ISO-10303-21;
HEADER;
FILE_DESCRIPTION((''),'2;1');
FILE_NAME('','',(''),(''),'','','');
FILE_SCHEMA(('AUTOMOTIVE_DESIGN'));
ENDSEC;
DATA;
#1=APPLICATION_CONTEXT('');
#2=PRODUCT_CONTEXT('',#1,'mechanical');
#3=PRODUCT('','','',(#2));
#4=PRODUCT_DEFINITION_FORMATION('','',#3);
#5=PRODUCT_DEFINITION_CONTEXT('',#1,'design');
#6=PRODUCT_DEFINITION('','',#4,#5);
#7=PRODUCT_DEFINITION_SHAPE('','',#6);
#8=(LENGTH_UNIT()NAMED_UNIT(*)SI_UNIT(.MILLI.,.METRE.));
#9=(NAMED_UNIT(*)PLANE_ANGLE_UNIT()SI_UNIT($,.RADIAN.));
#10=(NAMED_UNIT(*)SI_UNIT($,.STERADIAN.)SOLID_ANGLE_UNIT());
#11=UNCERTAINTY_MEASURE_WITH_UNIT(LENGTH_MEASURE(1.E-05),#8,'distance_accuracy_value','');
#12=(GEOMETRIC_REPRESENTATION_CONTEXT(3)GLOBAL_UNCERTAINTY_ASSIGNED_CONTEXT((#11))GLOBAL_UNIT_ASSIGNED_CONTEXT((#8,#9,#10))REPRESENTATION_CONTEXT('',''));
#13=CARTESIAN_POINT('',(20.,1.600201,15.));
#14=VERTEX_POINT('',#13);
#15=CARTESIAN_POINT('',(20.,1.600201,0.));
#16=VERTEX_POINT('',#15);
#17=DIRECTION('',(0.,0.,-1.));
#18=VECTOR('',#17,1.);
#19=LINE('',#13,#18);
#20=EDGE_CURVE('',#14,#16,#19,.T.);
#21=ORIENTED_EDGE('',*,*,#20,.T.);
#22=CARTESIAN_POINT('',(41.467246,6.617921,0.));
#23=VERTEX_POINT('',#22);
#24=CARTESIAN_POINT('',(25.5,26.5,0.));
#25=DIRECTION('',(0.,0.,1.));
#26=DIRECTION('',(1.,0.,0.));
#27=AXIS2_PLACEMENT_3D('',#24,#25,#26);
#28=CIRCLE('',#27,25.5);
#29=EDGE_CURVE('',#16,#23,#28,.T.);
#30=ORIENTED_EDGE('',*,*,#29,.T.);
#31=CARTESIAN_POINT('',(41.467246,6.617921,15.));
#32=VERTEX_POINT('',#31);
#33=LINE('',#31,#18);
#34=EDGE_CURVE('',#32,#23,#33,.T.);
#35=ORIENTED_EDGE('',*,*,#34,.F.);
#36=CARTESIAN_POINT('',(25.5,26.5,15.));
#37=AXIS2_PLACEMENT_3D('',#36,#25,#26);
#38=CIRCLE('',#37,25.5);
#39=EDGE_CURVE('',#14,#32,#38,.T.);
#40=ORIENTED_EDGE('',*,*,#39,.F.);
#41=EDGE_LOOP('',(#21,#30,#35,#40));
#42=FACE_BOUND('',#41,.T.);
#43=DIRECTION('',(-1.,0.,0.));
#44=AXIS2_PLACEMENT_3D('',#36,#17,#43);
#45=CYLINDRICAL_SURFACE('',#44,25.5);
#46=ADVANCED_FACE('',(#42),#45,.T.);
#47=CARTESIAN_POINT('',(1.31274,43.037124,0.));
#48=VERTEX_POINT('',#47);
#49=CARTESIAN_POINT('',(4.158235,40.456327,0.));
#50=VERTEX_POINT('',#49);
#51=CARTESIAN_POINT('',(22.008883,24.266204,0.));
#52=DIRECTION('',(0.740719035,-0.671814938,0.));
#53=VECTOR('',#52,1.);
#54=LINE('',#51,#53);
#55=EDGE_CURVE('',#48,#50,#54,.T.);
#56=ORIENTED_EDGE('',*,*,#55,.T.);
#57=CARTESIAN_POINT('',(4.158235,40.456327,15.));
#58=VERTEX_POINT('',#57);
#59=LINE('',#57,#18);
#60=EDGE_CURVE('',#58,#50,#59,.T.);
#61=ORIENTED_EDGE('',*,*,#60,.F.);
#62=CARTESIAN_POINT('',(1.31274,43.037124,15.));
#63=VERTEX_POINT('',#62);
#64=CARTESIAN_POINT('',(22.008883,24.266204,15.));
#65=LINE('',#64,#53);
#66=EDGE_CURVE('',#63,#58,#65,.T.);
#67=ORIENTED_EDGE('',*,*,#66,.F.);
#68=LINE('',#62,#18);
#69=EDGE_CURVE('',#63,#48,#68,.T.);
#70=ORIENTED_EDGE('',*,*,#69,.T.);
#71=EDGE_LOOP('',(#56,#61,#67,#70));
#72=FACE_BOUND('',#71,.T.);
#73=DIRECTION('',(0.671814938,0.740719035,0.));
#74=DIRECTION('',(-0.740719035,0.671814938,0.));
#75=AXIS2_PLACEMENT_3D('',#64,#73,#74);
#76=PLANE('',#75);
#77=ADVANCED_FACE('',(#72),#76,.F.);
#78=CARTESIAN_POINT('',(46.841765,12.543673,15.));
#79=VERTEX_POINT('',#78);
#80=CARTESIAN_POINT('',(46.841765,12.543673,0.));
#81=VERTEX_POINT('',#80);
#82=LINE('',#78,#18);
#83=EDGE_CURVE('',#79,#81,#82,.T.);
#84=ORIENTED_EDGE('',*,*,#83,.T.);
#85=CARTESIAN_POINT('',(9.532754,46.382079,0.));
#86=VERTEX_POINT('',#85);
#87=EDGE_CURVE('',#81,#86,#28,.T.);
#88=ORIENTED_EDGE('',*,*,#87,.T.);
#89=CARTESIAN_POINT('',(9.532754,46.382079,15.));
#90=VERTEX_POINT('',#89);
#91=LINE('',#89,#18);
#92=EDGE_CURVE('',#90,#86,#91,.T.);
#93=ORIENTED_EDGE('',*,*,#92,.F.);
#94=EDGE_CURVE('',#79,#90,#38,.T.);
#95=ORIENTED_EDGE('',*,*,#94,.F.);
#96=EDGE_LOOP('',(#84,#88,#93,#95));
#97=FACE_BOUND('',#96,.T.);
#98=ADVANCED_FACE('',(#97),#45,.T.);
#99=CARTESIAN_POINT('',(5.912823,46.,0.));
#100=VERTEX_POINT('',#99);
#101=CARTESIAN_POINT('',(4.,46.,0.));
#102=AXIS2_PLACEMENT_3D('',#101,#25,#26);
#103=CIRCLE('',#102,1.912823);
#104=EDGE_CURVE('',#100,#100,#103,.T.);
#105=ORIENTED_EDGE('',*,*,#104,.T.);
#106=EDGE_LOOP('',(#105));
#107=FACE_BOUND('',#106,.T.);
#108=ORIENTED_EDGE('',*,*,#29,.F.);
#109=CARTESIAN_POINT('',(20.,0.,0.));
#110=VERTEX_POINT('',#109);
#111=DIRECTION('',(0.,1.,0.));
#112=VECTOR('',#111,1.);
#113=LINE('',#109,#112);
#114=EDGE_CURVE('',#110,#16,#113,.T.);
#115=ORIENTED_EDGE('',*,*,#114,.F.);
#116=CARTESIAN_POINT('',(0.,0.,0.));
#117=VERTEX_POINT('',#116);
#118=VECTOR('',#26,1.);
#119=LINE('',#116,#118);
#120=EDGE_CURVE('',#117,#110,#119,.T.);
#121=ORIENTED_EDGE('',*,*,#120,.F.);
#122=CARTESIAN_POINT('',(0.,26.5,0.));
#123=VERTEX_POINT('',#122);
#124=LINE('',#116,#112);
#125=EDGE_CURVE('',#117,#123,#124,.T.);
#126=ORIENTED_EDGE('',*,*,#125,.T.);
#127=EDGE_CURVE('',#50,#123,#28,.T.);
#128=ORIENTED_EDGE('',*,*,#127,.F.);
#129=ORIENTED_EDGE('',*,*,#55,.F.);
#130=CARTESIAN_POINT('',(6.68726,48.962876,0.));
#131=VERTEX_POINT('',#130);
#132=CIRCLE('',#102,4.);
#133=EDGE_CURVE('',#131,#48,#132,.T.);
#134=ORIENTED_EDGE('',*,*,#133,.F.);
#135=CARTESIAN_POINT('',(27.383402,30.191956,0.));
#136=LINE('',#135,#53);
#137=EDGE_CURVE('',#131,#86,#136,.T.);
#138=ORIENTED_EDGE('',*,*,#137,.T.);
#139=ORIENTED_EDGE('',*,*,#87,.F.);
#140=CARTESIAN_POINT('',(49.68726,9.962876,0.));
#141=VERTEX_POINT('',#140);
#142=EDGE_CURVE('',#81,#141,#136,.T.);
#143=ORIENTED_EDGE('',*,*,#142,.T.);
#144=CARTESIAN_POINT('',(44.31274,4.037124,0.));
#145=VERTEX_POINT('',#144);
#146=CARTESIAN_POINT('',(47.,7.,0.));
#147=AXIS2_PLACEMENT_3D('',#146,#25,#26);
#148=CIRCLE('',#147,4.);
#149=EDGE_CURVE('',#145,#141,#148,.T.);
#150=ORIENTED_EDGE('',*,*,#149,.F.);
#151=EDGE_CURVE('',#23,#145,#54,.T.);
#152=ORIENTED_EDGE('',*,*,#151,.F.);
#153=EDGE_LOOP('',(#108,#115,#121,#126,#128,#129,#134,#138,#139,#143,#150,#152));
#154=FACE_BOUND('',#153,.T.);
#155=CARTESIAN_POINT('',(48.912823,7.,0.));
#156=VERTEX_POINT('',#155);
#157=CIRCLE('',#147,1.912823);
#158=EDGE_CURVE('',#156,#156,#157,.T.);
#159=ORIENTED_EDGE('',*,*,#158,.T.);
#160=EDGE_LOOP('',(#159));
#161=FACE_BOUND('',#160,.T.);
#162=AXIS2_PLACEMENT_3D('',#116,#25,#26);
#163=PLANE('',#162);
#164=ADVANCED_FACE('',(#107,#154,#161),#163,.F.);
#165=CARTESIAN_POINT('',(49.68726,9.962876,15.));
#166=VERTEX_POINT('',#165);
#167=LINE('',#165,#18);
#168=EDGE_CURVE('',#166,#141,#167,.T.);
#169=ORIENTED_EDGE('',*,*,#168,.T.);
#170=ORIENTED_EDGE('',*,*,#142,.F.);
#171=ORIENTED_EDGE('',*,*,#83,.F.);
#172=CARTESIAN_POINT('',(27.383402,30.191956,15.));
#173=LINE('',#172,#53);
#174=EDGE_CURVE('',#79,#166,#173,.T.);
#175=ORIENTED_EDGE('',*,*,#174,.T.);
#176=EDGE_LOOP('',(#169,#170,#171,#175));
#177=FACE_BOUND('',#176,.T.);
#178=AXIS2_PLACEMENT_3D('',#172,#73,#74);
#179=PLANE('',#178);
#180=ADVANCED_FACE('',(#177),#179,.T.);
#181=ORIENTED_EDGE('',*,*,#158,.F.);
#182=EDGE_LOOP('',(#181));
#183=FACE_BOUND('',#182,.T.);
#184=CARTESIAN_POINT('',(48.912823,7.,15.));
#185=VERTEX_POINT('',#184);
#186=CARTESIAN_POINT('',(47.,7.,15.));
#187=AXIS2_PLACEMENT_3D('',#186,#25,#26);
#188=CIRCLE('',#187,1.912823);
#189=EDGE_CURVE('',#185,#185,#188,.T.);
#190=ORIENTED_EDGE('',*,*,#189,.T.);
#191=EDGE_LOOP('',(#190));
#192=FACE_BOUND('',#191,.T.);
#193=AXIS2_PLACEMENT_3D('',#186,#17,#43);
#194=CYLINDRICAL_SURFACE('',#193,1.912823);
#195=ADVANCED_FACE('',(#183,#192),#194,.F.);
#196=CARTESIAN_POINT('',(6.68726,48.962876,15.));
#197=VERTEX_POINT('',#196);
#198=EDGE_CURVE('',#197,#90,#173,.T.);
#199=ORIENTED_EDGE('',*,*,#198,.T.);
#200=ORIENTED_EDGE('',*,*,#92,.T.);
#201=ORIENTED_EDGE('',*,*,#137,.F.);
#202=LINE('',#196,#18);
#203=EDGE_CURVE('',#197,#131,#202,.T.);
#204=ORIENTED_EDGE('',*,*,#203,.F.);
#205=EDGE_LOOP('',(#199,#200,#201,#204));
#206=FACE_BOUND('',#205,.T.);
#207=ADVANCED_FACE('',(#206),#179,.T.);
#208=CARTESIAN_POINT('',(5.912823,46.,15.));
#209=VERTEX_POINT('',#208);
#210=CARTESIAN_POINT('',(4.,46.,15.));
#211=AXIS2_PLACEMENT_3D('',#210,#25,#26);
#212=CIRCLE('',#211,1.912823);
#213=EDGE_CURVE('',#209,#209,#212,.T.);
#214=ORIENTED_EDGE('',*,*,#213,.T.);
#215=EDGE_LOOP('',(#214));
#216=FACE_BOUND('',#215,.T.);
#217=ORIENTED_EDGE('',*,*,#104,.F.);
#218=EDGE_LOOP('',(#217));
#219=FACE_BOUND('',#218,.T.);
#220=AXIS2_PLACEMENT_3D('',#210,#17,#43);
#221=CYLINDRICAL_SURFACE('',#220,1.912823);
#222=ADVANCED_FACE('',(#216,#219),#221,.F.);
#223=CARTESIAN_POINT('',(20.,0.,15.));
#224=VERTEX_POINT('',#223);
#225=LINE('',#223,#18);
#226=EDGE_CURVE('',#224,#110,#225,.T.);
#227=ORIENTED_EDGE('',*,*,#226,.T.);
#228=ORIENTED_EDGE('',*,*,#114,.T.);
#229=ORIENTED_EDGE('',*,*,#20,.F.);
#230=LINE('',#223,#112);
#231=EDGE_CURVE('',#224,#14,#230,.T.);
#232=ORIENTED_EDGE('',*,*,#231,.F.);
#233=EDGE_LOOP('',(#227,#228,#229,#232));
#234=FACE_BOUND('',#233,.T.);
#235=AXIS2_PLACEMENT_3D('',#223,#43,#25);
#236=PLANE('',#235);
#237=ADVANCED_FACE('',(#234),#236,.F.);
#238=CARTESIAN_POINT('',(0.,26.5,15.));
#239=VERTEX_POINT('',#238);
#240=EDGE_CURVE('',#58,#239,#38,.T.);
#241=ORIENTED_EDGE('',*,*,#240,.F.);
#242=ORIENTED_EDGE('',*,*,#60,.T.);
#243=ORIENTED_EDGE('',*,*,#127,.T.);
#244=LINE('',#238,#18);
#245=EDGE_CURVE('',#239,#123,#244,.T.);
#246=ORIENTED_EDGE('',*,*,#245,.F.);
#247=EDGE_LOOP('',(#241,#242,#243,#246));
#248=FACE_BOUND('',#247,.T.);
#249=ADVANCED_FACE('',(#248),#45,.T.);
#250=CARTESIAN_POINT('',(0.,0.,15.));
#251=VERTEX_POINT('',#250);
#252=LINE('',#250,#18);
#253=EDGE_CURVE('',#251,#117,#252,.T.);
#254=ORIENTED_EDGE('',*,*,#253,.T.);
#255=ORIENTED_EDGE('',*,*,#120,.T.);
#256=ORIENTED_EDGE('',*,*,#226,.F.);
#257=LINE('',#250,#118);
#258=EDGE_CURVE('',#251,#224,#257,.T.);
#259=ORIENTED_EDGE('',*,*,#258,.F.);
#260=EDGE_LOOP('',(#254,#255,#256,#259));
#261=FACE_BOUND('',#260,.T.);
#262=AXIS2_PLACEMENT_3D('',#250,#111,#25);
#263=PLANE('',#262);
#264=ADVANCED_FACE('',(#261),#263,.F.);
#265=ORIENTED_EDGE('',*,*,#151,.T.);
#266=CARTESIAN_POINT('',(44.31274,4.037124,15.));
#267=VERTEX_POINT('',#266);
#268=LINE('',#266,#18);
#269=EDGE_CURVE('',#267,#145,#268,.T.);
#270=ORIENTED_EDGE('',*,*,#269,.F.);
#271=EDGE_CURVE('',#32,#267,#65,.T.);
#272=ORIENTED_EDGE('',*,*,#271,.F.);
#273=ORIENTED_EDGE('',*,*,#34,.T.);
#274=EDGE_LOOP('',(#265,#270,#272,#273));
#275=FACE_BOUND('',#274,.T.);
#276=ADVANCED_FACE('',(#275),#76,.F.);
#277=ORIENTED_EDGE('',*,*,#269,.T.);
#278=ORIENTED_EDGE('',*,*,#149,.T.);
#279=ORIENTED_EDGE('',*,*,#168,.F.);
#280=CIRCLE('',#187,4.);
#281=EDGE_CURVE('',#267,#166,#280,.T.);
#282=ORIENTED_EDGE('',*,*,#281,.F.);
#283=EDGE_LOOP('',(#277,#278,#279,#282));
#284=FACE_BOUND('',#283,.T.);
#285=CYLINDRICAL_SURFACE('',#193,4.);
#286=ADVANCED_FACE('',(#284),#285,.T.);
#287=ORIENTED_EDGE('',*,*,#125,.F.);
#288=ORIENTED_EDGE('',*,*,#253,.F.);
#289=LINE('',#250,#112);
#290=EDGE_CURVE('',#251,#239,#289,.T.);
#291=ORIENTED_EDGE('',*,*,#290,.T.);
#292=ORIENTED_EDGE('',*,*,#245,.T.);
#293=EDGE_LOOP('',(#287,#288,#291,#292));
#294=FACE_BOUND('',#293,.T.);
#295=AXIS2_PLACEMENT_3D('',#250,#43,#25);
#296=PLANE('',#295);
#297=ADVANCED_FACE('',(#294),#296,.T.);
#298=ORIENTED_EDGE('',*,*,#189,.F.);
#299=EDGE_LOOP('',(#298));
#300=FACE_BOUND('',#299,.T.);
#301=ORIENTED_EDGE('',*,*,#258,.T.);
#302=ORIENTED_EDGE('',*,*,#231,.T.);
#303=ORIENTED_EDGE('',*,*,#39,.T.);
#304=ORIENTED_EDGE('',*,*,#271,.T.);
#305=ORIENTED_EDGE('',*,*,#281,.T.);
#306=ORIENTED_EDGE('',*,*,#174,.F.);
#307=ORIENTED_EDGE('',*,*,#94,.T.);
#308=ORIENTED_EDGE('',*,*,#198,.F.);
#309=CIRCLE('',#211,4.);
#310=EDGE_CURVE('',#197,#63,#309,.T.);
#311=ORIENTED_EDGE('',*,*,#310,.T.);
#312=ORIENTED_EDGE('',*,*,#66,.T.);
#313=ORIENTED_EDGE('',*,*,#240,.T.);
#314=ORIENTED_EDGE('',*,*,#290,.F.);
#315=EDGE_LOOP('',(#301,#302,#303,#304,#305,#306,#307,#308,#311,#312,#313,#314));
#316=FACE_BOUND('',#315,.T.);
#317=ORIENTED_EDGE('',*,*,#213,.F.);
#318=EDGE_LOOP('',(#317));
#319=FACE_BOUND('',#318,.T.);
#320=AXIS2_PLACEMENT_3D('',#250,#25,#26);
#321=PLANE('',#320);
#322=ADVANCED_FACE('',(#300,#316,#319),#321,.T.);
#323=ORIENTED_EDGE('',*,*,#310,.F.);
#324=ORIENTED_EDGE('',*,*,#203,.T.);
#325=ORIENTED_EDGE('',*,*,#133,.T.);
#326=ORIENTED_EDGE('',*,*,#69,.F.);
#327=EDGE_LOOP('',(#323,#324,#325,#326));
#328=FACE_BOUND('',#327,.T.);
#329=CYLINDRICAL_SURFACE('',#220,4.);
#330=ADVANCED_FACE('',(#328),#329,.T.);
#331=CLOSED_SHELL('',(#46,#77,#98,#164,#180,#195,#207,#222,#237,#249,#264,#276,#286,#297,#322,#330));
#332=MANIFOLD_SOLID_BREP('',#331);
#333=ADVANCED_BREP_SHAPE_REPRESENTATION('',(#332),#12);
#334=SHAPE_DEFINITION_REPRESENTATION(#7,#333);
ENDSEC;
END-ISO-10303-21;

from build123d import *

# Parameters (mm, degrees)
SKETCH_2_R      = 1.912823122
EXTRUDE_1_DEPTH = 15


with BuildPart() as part:
    # Эскиз2 → Бобышка-Вытянуть1 (new body)
    with BuildSketch(Plane.XY):
        with BuildLine():
            ThreePointArc((44.312740246, 4.037123861), (49.962876139, 4.312740246), (49.687259754, 9.962876139))
            Line((49.687259754, 9.962876139), (46.841765339, 12.543673399))
            ThreePointArc((46.841765339, 12.543673399), (42.631280931, 45.388335386), (9.532754169, 46.382078879))
            Line((9.532754169, 46.382078879), (6.687259754, 48.962876139))
            ThreePointArc((6.687259754, 48.962876139), (1.037123861, 48.687259754), (1.312740246, 43.037123861))
            Line((1.312740246, 43.037123861), (4.158234661, 40.456326601))
            ThreePointArc((4.158234661, 40.456326601), (1.061659056, 33.78131114), (0, 26.5))
            Line((0, 26.5), (0, 0))
            Line((0, 0), (20, 0))
            Line((20, 0), (20, 1.600200804))
            ThreePointArc((20, 1.600200804), (31.30389422, 1.669276855), (41.467245831, 6.617921121))
            Line((41.467245831, 6.617921121), (44.312740246, 4.037123861))
        make_face()
        with Locations((47, 7)):
            Circle(SKETCH_2_R, mode=Mode.SUBTRACT)
        with Locations((4, 46)):
            Circle(SKETCH_2_R, mode=Mode.SUBTRACT)
    extrude(amount=EXTRUDE_1_DEPTH)


solid = part.part
